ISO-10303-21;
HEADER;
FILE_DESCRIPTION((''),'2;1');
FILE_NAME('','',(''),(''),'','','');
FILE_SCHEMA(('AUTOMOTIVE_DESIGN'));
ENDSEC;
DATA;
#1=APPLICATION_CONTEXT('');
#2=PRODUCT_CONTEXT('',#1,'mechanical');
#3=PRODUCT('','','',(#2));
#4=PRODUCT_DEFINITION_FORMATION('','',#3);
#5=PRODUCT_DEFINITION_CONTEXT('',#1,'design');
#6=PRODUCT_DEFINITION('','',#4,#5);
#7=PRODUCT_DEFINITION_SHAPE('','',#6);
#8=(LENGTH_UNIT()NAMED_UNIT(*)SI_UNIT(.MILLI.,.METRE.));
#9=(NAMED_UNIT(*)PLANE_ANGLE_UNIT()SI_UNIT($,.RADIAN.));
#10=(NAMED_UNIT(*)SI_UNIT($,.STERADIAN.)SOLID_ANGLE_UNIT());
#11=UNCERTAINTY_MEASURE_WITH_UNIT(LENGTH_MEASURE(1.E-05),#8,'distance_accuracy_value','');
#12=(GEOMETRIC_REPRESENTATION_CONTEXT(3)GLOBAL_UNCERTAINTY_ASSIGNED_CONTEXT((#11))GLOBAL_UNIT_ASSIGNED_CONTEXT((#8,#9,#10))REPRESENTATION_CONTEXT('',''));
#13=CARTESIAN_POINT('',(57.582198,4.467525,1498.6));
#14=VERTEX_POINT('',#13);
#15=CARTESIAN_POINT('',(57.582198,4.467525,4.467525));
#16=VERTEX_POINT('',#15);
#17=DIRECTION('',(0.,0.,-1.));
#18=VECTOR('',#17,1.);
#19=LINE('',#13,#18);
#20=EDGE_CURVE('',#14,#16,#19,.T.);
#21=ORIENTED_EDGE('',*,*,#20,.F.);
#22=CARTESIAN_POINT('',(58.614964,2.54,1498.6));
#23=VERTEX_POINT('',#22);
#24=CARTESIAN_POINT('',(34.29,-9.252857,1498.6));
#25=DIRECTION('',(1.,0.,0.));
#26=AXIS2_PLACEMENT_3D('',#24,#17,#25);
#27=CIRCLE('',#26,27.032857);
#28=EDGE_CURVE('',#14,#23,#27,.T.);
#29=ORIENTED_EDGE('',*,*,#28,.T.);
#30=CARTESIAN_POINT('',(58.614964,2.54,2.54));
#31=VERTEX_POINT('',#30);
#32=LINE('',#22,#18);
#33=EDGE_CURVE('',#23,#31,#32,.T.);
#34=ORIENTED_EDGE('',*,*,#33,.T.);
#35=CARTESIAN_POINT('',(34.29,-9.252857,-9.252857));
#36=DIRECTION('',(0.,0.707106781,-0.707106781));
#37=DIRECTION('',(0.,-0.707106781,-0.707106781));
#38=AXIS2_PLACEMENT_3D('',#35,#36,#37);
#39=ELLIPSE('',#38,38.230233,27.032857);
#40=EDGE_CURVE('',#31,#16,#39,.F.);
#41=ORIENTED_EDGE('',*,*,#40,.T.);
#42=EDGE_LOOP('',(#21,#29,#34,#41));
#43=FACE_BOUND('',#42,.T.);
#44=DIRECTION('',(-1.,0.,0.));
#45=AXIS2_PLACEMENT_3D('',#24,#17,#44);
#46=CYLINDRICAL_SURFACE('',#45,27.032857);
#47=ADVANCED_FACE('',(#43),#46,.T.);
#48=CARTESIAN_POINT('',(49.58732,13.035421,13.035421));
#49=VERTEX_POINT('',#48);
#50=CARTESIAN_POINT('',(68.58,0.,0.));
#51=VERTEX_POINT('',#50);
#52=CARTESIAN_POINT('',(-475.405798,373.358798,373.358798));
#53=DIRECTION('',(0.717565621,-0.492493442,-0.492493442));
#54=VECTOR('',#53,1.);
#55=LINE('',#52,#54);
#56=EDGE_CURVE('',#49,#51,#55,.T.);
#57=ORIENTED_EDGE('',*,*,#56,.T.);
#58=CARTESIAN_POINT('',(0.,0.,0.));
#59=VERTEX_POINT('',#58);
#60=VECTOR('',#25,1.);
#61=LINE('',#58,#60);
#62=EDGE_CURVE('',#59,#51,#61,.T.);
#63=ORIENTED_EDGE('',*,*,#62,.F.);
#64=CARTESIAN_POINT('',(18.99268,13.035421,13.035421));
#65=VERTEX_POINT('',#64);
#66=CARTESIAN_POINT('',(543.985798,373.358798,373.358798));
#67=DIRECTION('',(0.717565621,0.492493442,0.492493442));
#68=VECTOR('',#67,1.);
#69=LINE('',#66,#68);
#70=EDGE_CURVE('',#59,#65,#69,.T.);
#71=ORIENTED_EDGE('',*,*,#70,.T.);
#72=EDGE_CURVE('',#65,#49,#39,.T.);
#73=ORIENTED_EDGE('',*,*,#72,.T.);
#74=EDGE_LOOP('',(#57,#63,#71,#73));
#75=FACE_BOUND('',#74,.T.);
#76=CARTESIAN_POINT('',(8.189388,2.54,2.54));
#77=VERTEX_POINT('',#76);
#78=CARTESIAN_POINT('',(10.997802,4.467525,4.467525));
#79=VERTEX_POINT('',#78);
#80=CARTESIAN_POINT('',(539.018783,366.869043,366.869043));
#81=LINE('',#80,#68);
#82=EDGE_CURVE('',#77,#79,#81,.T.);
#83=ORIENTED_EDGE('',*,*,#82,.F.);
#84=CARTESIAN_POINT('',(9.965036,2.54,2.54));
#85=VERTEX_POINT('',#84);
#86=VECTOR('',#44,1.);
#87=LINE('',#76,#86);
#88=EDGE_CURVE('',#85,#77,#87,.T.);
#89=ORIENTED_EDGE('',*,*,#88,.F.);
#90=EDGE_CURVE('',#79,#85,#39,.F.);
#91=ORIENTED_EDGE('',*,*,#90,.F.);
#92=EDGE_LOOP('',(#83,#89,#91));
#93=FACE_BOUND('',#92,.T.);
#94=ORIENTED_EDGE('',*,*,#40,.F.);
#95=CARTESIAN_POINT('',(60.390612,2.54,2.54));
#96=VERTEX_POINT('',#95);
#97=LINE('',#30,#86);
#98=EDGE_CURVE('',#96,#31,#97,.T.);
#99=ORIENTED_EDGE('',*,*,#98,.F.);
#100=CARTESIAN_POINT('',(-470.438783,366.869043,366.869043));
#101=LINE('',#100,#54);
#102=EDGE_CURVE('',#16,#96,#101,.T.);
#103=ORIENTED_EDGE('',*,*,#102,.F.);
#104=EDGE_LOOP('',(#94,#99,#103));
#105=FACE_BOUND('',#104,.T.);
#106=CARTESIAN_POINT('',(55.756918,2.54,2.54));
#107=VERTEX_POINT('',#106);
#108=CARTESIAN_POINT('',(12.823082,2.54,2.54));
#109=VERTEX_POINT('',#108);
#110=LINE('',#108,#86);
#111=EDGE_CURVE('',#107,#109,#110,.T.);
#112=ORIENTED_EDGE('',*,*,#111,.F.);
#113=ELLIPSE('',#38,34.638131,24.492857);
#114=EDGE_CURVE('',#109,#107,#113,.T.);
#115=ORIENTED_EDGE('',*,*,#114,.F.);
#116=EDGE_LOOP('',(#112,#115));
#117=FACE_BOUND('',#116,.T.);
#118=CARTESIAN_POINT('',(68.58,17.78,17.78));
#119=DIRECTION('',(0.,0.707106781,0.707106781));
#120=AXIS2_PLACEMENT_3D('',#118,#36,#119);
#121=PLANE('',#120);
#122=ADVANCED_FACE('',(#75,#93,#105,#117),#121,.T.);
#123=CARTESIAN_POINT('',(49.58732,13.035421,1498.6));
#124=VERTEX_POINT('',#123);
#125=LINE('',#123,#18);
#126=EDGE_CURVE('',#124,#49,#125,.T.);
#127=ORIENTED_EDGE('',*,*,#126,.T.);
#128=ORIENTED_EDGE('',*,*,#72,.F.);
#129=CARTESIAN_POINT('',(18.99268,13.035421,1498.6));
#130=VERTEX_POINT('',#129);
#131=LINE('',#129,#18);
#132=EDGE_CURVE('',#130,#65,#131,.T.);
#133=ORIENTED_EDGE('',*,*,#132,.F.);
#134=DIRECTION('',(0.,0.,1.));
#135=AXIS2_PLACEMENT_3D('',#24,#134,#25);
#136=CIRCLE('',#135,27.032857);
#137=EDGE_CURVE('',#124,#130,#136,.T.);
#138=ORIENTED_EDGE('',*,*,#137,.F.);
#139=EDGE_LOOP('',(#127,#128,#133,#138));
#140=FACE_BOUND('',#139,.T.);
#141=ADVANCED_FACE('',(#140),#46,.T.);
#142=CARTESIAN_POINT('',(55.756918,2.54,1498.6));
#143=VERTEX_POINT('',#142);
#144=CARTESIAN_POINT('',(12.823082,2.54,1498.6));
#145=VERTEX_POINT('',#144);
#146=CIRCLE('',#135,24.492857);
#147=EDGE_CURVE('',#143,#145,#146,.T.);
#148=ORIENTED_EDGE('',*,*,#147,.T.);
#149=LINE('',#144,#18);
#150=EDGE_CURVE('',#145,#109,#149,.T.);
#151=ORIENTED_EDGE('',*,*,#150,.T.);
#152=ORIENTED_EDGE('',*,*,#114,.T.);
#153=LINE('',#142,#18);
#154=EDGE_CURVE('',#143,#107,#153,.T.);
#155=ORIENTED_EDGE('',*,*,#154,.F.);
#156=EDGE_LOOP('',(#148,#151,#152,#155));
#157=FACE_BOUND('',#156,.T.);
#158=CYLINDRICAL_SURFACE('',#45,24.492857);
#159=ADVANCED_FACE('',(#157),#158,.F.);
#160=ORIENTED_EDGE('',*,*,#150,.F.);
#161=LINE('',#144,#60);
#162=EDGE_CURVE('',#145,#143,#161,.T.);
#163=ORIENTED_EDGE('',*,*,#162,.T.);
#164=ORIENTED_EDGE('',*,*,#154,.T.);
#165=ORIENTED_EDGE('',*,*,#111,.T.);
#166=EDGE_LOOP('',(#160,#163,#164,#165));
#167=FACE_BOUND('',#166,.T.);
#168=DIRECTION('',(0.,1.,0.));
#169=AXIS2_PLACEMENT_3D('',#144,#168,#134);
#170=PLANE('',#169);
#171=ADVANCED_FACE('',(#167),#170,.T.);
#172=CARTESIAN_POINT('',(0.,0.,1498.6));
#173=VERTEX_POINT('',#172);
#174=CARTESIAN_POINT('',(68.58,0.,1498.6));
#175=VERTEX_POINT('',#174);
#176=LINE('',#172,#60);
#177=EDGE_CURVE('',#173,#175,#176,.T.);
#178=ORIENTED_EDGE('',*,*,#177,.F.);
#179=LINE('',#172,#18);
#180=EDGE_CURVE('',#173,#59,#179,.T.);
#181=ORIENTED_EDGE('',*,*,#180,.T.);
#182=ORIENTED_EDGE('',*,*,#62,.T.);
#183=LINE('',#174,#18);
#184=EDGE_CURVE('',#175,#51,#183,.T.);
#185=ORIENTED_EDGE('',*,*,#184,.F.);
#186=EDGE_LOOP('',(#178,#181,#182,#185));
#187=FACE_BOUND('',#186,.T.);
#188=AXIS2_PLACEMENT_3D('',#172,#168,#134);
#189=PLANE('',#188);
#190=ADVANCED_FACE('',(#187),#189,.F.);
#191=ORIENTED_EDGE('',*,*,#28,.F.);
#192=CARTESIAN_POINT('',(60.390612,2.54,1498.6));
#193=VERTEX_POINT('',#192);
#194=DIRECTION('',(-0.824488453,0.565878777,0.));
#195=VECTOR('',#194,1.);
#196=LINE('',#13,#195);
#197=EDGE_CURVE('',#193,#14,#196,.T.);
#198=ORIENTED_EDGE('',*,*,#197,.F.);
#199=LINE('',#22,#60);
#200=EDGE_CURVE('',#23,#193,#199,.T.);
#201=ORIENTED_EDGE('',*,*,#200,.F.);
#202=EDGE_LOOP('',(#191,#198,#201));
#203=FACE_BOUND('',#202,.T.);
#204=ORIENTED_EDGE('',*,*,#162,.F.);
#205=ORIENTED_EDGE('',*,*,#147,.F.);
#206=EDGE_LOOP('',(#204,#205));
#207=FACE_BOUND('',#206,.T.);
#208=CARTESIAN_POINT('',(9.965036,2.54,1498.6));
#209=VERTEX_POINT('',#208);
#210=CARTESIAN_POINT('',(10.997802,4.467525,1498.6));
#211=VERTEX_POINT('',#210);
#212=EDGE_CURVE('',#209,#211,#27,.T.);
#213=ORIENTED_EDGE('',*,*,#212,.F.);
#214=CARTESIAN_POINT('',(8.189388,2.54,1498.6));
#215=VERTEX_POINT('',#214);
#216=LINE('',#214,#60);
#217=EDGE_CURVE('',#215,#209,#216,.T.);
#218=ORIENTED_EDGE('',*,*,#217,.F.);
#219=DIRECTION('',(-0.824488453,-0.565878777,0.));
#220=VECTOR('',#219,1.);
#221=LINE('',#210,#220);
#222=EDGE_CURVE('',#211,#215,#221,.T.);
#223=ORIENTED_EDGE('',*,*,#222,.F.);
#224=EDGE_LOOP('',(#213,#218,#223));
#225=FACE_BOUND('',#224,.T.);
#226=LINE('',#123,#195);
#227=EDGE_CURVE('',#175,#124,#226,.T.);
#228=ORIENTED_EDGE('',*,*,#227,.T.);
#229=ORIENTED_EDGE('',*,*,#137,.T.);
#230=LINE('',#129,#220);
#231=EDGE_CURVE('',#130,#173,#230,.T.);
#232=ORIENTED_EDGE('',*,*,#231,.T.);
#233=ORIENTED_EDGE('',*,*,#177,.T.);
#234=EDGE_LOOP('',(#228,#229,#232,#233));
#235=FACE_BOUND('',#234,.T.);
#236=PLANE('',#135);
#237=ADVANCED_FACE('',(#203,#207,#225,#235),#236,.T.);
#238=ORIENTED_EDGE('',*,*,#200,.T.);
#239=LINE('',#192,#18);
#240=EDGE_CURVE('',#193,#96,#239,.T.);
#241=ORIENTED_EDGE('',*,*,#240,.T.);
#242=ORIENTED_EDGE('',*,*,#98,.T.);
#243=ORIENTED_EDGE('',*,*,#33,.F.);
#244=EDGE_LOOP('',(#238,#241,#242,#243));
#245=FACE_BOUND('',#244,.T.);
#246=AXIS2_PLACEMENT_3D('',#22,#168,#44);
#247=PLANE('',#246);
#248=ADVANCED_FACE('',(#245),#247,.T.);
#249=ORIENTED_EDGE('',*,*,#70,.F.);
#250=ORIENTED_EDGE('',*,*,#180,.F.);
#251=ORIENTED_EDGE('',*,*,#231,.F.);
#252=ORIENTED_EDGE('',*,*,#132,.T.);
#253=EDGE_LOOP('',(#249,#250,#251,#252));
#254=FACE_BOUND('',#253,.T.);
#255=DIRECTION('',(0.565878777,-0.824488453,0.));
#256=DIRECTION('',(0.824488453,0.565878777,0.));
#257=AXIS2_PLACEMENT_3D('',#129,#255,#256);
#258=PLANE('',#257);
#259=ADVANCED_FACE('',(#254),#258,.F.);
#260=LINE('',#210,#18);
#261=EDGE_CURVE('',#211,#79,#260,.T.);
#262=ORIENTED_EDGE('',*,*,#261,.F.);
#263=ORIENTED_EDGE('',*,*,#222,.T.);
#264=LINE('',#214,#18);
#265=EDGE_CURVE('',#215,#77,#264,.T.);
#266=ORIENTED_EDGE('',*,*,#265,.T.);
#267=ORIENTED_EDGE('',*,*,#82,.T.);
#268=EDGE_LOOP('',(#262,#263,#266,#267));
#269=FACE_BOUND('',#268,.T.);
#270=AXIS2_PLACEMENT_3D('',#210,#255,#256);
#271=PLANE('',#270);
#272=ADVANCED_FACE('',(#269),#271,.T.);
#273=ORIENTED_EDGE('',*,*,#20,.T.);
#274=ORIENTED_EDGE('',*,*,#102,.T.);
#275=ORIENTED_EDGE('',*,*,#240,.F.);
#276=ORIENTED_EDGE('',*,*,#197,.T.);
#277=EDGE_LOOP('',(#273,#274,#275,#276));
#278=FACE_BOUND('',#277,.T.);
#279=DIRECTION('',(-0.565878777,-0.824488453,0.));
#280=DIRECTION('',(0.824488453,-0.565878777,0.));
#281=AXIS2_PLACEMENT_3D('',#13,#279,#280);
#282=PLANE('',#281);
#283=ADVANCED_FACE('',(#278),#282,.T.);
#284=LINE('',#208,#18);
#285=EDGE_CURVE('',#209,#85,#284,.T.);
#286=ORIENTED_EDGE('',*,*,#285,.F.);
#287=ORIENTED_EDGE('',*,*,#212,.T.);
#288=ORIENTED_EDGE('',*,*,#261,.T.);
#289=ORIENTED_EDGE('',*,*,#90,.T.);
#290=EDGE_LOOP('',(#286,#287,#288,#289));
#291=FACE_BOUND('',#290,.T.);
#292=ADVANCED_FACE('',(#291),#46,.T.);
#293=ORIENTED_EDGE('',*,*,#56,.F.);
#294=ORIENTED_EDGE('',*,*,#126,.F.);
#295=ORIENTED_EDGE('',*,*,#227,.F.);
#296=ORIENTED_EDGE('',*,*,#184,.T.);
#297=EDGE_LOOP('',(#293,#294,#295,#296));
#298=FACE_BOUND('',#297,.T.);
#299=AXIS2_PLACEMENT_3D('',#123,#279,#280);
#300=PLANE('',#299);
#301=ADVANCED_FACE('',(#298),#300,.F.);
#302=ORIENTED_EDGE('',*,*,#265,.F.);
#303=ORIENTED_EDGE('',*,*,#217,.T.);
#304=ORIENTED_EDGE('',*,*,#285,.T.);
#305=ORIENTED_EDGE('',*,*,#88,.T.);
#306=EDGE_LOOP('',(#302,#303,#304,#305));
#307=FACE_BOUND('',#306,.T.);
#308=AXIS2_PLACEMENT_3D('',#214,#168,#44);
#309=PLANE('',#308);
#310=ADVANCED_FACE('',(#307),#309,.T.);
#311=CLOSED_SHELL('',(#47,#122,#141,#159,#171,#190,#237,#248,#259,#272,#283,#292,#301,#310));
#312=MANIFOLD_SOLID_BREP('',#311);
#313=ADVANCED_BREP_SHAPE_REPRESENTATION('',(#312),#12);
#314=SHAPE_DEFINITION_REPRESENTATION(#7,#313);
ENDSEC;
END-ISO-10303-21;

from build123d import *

# Parameters (mm, degrees)
BOSS_EXTRUDE1_DEPTH = 1498.6
CUT_EXTRUDE1_DEPTH  = 69.58


with BuildPart() as part:
    # Sketch2 → Boss-Extrude1 (new body)
    with BuildSketch(Plane.XY):
        with BuildLine():
            Line((0, 0), (68.58, 0))
            Line((68.58, 0), (49.587320143, 13.03542143))
            ThreePointArc((49.587320143, 13.03542143), (34.29, 17.78), (18.992679857, 13.03542143))
            Line((18.992679857, 13.03542143), (0, 0))
        make_face()
        with BuildLine():
            Line((10.997802271, 4.46752515), (8.189387654, 2.54))
            Line((8.189387654, 2.54), (9.965035751, 2.54))
            ThreePointArc((9.965035751, 2.54), (10.461920618, 3.514209799), (10.997802271, 4.46752515))
        make_face(mode=Mode.SUBTRACT)
        with BuildLine():
            Line((57.582197729, 4.46752515), (60.390612346, 2.54))
            Line((60.390612346, 2.54), (58.614964249, 2.54))
            ThreePointArc((58.614964249, 2.54), (58.118079382, 3.514209799), (57.582197729, 4.46752515))
        make_face(mode=Mode.SUBTRACT)
        with BuildLine():
            Line((12.82308193, 2.54), (55.75691807, 2.54))
            ThreePointArc((55.75691807, 2.54), (34.29, 15.24), (12.82308193, 2.54))
        make_face(mode=Mode.SUBTRACT)
    extrude(amount=BOSS_EXTRUDE1_DEPTH)

    # Sketch3 → Cut-Extrude1 (cut, through all)
    with BuildSketch(Plane(origin=(0, 0, 0), x_dir=(0, 0, -1), z_dir=(1, 0, 0))):
        Polygon((-17.78, 17.78), (0, 0), (0, 17.78), align=None)
    extrude(amount=CUT_EXTRUDE1_DEPTH, mode=Mode.SUBTRACT)


solid = part.part
